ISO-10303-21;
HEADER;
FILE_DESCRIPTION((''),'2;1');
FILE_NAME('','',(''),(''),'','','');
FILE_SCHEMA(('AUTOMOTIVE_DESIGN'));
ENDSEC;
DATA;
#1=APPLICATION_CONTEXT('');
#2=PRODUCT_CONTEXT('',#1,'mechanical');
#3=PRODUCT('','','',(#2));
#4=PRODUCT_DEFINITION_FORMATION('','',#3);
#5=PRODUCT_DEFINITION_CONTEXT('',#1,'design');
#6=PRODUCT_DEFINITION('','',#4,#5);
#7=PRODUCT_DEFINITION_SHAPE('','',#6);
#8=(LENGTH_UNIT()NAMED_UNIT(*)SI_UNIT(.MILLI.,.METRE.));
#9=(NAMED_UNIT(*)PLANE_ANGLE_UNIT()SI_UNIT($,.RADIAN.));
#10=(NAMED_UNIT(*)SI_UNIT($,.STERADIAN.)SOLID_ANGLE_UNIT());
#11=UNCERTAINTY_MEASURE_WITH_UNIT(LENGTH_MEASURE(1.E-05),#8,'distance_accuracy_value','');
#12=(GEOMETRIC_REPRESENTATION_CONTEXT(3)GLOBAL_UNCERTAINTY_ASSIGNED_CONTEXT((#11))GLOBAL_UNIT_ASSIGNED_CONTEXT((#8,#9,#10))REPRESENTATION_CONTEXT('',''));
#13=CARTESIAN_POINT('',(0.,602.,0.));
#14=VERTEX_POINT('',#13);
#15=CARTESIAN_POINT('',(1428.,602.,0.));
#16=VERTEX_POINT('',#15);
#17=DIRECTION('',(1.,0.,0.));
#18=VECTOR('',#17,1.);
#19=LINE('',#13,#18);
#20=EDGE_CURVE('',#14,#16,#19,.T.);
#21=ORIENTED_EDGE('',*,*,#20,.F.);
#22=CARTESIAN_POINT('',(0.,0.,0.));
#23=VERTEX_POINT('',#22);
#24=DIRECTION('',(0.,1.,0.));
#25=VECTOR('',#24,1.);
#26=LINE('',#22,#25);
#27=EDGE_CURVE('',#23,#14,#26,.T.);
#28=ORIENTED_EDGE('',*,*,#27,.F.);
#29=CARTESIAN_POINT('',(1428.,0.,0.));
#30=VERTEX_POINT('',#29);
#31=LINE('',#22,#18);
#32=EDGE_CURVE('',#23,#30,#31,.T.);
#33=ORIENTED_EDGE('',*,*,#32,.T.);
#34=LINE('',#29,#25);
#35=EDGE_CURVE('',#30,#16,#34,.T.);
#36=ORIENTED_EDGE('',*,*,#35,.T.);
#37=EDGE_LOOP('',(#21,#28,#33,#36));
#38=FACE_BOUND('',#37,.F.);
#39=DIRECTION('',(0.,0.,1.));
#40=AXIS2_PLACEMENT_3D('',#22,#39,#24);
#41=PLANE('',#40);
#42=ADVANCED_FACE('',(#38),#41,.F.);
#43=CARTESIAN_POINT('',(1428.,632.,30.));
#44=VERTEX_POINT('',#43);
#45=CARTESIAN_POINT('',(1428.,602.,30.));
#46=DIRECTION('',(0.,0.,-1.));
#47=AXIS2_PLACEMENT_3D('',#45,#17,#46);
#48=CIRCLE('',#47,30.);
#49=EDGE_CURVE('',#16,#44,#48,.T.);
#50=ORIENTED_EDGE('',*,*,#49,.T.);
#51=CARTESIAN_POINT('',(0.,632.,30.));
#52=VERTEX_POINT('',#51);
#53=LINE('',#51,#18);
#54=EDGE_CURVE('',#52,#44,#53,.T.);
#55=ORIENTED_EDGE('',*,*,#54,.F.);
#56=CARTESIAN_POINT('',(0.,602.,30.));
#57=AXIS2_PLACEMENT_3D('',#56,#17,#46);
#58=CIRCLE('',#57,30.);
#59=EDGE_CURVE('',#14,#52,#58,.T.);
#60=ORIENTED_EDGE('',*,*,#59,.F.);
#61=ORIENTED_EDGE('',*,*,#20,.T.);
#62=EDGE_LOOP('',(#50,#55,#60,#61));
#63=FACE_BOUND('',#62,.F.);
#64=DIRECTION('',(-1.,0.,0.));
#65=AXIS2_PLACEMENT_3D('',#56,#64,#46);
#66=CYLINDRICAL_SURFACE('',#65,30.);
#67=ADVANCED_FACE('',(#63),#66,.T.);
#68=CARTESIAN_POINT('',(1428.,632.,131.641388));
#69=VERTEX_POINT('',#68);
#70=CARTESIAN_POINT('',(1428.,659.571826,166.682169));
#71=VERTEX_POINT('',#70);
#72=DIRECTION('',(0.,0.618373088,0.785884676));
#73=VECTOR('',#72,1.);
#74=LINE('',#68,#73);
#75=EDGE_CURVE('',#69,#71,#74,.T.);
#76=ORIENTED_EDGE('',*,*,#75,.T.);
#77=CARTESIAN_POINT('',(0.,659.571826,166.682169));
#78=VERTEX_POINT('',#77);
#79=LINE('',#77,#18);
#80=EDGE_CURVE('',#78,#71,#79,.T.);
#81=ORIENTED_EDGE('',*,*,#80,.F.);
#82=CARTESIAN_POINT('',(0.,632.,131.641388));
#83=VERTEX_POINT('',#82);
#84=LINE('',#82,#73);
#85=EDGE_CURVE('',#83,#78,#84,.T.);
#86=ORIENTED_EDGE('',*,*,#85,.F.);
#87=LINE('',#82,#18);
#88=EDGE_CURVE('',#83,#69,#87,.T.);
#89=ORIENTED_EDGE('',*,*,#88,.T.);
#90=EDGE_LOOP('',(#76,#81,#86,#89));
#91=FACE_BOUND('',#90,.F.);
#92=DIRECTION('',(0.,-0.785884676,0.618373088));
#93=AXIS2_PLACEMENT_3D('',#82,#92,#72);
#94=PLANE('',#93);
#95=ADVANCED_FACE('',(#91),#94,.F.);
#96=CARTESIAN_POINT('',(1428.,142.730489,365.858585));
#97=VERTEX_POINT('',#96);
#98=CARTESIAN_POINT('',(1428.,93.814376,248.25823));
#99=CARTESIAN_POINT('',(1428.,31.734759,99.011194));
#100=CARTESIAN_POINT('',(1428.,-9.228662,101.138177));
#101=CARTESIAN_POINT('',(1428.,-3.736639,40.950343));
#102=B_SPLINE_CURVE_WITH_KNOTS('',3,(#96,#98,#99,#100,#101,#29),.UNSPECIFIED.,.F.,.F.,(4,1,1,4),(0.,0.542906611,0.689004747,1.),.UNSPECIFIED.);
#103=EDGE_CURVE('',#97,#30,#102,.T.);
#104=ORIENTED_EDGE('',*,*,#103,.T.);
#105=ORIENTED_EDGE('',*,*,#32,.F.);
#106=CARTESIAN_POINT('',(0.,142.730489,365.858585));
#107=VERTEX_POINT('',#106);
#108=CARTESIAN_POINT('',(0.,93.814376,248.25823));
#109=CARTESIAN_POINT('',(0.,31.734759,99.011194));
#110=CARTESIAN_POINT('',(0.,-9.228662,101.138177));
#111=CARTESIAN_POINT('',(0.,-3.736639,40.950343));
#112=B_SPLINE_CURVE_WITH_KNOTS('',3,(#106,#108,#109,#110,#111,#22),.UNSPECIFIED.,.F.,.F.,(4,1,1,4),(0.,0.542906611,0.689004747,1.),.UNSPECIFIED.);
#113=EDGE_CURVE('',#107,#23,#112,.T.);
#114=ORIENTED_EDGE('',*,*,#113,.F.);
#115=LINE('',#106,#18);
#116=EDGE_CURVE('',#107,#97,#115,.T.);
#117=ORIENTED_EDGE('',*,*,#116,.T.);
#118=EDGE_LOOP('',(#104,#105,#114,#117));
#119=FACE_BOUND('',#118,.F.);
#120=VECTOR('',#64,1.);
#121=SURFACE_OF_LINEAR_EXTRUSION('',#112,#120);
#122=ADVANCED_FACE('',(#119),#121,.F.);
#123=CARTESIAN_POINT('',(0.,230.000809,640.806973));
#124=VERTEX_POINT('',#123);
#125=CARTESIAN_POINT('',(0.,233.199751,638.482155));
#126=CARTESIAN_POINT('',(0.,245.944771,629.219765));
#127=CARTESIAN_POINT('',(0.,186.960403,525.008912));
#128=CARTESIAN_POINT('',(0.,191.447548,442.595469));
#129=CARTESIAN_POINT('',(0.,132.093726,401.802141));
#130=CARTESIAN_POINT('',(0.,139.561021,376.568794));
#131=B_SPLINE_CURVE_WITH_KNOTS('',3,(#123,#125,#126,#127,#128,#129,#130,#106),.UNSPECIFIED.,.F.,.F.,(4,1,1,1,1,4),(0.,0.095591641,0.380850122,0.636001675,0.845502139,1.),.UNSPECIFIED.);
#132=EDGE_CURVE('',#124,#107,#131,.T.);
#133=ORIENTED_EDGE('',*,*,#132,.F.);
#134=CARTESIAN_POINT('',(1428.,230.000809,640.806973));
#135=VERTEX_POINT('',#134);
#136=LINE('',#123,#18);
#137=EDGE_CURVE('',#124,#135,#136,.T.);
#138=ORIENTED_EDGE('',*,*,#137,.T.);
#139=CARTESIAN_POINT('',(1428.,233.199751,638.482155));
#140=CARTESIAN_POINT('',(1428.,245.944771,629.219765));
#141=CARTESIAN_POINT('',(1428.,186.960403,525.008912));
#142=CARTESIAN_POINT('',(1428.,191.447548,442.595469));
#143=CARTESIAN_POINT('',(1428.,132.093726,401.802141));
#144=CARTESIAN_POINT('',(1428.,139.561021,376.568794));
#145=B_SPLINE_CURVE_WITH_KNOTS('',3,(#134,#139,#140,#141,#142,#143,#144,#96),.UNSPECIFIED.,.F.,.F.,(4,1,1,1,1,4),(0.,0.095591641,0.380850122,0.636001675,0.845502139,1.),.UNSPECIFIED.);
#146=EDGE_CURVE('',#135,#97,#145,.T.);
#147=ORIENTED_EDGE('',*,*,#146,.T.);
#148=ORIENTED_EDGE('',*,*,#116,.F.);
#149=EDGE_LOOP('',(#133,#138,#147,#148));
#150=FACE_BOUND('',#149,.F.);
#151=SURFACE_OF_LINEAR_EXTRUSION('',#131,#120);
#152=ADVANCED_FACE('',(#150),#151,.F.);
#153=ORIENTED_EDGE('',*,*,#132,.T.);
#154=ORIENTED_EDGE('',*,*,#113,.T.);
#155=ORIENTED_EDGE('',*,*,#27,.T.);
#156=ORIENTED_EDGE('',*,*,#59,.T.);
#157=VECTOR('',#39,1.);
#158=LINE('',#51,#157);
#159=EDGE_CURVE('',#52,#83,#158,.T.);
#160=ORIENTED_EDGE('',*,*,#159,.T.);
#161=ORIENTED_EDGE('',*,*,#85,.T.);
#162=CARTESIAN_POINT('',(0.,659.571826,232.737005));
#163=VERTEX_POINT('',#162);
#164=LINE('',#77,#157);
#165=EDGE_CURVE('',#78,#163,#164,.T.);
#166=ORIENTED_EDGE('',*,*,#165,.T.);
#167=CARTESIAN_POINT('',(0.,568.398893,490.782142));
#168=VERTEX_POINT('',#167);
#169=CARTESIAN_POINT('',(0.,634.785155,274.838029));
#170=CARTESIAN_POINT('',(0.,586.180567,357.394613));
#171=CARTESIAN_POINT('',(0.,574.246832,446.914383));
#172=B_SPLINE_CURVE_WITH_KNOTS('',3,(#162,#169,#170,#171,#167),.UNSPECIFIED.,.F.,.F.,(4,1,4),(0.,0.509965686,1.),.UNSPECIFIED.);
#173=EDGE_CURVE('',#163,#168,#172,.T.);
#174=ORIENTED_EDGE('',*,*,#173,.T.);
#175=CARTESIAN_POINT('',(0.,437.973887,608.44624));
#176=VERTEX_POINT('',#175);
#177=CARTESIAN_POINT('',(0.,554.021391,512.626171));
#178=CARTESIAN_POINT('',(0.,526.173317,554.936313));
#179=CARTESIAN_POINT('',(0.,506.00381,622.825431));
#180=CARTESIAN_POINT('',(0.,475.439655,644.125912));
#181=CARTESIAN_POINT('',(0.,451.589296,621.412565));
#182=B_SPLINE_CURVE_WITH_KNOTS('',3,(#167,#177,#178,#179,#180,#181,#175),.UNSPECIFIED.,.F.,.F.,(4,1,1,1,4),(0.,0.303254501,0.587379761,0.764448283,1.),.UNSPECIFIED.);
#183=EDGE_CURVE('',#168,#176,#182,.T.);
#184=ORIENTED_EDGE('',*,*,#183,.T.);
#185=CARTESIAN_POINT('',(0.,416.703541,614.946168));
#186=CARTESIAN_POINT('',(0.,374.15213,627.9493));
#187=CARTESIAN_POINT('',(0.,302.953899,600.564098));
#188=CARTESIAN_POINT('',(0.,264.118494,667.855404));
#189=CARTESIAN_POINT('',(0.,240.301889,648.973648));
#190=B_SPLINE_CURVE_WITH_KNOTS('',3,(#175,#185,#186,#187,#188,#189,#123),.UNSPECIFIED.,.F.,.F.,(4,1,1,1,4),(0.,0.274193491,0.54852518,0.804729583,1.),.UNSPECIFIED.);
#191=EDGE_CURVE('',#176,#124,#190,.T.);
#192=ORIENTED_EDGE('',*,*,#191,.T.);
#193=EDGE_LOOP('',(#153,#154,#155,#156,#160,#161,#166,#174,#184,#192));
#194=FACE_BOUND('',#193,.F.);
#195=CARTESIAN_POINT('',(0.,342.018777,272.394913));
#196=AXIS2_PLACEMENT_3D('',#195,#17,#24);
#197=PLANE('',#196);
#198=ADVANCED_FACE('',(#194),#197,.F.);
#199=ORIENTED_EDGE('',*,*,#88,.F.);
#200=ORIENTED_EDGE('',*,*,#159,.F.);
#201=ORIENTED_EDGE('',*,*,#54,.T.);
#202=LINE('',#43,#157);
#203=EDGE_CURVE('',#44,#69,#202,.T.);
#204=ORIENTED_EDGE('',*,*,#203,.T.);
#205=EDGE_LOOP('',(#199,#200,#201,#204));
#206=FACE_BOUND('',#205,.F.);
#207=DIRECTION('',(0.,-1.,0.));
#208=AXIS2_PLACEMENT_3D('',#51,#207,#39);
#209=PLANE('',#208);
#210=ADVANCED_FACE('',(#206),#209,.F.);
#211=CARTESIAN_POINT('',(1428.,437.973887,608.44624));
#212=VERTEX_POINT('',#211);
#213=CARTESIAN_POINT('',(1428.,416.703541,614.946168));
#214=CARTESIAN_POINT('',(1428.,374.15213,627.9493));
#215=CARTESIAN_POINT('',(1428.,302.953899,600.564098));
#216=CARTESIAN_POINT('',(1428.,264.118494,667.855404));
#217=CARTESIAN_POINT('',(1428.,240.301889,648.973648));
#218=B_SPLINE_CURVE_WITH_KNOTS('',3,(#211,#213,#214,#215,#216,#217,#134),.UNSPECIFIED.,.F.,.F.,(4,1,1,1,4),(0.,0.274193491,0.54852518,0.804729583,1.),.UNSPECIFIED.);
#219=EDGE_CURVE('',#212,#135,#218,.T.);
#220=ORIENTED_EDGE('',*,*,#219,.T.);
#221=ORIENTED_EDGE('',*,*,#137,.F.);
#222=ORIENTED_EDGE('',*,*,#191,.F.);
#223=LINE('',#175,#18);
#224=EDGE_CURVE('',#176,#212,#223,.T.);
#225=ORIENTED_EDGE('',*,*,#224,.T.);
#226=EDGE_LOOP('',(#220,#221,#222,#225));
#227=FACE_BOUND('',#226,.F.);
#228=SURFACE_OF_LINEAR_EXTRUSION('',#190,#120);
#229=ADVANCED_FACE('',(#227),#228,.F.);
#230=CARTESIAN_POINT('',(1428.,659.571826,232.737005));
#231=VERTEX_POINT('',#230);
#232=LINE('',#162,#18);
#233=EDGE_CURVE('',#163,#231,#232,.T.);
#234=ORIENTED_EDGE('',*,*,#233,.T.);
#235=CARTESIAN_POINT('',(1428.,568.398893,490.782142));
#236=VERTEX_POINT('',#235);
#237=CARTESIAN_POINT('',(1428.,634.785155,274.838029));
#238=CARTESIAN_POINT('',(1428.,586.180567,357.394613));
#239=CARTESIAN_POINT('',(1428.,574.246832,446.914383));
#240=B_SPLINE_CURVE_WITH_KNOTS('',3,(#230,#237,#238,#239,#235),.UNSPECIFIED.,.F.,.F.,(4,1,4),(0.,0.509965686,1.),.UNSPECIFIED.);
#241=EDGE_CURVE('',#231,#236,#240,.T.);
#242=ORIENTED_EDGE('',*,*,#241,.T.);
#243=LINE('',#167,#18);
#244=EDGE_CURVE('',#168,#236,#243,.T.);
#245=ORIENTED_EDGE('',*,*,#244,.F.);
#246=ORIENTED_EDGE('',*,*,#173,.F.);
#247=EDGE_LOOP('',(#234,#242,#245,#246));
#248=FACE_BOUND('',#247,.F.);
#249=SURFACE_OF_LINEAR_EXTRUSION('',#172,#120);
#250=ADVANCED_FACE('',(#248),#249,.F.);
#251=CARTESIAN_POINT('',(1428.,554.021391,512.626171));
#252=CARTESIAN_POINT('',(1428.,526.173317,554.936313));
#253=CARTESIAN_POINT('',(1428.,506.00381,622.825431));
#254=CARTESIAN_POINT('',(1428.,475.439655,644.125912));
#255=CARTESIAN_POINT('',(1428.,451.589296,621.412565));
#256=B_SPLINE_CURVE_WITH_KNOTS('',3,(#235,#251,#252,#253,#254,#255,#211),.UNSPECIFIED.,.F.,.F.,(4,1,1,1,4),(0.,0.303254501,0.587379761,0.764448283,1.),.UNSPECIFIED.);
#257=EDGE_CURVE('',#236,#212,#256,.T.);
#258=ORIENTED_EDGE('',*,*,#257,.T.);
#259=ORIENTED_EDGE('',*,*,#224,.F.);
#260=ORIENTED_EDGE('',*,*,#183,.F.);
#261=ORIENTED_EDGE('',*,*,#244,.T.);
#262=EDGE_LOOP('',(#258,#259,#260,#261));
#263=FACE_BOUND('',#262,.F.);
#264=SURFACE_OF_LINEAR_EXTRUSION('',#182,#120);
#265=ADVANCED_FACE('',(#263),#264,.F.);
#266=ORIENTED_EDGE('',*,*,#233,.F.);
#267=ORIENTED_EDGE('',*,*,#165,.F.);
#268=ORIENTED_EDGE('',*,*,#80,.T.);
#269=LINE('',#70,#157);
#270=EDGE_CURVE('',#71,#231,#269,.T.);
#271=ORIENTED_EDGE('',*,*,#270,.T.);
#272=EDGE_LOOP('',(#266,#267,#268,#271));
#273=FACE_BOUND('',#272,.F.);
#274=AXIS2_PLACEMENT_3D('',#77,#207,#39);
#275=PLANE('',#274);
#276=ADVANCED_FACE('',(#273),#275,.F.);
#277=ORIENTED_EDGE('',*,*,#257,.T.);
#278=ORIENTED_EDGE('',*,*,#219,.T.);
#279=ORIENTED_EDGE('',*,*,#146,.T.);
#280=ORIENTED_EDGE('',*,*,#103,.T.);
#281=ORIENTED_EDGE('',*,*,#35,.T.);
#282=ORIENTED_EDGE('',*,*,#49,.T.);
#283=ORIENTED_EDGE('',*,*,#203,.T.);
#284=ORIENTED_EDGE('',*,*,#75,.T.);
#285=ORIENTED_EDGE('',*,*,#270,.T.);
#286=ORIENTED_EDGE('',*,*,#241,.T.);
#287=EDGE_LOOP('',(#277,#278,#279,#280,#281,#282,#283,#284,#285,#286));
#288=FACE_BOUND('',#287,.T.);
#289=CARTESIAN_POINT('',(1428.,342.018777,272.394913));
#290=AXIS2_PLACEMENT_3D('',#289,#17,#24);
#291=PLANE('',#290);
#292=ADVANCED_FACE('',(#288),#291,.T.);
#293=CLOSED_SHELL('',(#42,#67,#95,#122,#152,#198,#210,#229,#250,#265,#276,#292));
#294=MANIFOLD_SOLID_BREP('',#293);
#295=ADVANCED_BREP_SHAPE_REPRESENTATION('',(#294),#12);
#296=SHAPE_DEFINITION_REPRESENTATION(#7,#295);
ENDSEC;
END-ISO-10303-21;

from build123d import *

# Parameters (mm, degrees)
F1_DEPTH = 1428


with BuildPart() as f1:
    # F0 (on Right) → F1 (new body)
    with BuildSketch(Plane.YZ):
        with BuildLine():
            add(Edge.make_bspline(
                [(142.7304893732, 365.8585846424), (93.8143757264, 248.2582298741), (31.7347587017, 99.0111936379), (-9.228661913, 101.1381770165), (-3.7366390944, 40.9503425028), (0, 0)],
                knots=[0, 0, 0, 0, 0.5429066112, 0.6890047469, 1, 1, 1, 1], degree=3))
            Line((0, 0), (602, 0))
            ThreePointArc((602, 0), (623.2132034356, 8.7867965644), (632, 30))
            Line((632, 30), (632, 131.6413879395))
            Line((632, 131.6413879395), (659.571826458, 166.6821688414))
            Line((659.571826458, 166.6821688414), (659.571826458, 232.7370047569))
            add(Edge.make_bspline(
                [(659.571826458, 232.7370047569), (634.7851545645, 274.8380294925), (586.1805669101, 357.3946129618), (574.2468323206, 446.9143827311), (568.3988928795, 490.7821416855)],
                knots=[0, 0, 0, 0, 0.5099656862, 1, 1, 1, 1], degree=3))
            add(Edge.make_bspline(
                [(568.3988928795, 490.7821416855), (554.0213909405, 512.6261712782), (526.1733173198, 554.9363129739), (506.0038104857, 622.8254308652), (475.4396554214, 644.1259121701), (451.5892955231, 621.4125649773), (437.9738867283, 608.4462404251)],
                knots=[0, 0, 0, 0, 0.3032545006, 0.5873797613, 0.7644482829, 1, 1, 1, 1], degree=3))
            add(Edge.make_bspline(
                [(437.9738867283, 608.4462404251), (416.7035414634, 614.9461681328), (374.1521302287, 627.9492996495), (302.9538987018, 600.5640983204), (264.1184938487, 667.8554043552), (240.3018890829, 648.9736484761), (230.000808835, 640.8069729805)],
                knots=[0, 0, 0, 0, 0.2741934905, 0.5485251804, 0.8047295829, 1, 1, 1, 1], degree=3))
            add(Edge.make_bspline(
                [(230.000808835, 640.8069729805), (233.1997508055, 638.4821553097), (245.9447714551, 629.2197649651), (186.9604032188, 525.0089120465), (191.4475476944, 442.5954691232), (132.093725643, 401.8021406725), (139.5610210374, 376.56879365), (142.7304893732, 365.8585846424)],
                knots=[0, 0, 0, 0, 0.095591641, 0.3808501217, 0.6360016753, 0.8455021392, 1, 1, 1, 1], degree=3))
        make_face()
    extrude(amount=F1_DEPTH)


solid = f1.part
